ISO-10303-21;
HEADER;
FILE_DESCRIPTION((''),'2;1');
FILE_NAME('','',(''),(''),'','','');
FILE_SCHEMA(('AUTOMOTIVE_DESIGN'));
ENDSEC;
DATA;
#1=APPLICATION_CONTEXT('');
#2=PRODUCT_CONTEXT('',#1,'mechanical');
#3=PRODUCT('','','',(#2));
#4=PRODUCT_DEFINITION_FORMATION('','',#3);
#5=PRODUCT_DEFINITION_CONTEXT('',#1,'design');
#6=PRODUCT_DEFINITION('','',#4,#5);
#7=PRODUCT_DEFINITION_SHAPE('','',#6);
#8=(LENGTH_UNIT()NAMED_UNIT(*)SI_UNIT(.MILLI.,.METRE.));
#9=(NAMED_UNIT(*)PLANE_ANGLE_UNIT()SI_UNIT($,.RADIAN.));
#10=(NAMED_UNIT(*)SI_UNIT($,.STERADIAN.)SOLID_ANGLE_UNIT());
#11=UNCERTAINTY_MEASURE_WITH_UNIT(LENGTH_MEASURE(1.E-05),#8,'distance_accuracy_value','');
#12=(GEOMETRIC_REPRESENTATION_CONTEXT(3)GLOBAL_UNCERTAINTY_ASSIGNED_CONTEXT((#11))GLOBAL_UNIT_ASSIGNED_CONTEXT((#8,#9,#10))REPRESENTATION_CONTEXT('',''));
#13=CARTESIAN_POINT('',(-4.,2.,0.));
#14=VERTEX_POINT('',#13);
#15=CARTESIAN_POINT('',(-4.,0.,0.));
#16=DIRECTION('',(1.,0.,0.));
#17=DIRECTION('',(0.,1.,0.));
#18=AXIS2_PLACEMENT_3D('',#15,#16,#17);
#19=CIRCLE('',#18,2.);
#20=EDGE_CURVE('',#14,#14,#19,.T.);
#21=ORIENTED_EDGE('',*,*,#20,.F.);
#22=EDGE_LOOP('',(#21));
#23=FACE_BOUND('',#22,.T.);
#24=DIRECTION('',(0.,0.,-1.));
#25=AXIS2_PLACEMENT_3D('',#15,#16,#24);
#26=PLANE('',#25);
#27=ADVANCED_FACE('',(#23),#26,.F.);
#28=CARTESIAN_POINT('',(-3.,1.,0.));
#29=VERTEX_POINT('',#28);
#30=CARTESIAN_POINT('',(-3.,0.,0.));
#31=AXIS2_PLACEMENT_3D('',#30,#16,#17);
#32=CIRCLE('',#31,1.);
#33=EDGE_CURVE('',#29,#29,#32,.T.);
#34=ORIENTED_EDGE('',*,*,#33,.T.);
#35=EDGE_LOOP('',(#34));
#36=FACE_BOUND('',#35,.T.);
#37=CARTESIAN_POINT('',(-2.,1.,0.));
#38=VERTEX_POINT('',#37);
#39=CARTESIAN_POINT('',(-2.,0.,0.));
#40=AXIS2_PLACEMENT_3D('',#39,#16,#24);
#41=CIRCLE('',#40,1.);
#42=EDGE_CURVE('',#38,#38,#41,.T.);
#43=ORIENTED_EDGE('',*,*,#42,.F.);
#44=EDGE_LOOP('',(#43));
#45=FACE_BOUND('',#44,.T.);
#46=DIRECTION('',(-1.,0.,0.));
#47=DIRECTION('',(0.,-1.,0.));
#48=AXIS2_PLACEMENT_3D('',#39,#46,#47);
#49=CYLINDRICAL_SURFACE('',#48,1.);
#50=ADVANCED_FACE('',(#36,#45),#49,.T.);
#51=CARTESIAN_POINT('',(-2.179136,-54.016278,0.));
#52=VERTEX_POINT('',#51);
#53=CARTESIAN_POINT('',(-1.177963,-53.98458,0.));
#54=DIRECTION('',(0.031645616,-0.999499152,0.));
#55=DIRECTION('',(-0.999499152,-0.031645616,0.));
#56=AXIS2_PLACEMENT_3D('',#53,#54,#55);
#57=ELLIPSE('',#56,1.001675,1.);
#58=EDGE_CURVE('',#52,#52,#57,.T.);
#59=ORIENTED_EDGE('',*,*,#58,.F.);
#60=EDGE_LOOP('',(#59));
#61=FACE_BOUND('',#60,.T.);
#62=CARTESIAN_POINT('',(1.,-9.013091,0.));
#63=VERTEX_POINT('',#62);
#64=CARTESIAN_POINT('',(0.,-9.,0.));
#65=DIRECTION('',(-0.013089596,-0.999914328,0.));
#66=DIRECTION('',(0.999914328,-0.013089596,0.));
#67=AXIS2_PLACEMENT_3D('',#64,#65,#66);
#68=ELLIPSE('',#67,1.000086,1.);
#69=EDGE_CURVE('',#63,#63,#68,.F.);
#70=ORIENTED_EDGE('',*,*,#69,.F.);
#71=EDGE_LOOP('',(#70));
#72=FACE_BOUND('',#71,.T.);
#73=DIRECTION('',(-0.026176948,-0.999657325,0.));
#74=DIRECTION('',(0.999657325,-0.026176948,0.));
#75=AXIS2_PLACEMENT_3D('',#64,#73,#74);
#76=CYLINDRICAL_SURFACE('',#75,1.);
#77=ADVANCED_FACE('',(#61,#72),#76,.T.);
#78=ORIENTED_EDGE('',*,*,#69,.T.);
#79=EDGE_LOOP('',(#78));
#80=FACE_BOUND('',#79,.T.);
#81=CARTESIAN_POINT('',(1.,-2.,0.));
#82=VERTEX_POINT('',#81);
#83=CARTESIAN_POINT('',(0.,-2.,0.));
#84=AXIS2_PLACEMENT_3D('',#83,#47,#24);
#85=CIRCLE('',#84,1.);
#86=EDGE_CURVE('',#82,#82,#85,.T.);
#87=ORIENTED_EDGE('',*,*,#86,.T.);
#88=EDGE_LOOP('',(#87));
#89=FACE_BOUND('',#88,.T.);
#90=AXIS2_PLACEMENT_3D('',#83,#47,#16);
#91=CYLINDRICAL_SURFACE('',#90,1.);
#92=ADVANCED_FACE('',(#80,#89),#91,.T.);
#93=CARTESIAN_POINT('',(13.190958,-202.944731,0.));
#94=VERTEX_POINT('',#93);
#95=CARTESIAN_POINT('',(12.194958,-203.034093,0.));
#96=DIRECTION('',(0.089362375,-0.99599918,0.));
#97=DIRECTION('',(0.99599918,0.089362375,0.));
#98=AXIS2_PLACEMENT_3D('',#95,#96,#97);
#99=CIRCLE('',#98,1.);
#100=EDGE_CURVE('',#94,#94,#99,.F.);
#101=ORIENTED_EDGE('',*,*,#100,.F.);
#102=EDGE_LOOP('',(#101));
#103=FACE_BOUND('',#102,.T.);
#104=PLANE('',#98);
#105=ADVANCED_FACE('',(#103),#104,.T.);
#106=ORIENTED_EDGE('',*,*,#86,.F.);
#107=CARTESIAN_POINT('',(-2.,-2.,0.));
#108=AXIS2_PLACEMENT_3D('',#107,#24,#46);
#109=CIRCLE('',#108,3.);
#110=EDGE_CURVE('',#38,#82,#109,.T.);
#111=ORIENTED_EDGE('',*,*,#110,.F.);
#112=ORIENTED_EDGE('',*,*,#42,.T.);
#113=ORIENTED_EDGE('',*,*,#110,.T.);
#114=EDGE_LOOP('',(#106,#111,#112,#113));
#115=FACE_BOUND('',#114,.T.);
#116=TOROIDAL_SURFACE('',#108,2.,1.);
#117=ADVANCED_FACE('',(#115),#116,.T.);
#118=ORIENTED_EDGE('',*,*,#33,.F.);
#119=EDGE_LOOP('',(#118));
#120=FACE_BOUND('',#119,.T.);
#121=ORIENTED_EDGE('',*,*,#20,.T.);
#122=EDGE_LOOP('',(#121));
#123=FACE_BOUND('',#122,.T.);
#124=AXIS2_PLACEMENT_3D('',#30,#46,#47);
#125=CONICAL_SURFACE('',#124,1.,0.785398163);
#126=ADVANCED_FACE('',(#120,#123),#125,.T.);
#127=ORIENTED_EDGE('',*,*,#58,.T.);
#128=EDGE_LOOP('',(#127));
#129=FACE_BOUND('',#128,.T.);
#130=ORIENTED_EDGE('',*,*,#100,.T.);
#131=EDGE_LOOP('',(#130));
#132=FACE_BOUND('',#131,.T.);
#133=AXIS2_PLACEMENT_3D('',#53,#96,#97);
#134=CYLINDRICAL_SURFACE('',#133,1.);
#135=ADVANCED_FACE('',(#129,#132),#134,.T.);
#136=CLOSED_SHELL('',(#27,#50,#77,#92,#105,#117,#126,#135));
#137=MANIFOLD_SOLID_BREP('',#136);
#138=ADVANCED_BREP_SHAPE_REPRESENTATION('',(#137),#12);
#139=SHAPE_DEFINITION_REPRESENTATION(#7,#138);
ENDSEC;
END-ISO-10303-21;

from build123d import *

# Parameters (mm, degrees)
ESQUISSE2_R = 1


with BuildPart() as part:
    # Balayage1: sweep along a path in Esquisse1
    with BuildLine(Plane.XY) as balayage1_path:
        Line((12.194958481, -203.034093166), (-1.177962674, -53.984579624))
        Line((-1.177962674, -53.984579624), (0, -9))
        Line((0, -9), (0, -2))
        ThreePointArc((0, -2), (-0.585786438, -0.585786438), (-2, 0))
        Line((-2, 0), (-4, 0))
    # Esquisse2 → Balayage1 (sweep)
    with BuildSketch(Plane(origin=(-4, 0, 0), x_dir=(0, 0, -1), z_dir=(1, 0, 0))):
        Circle(ESQUISSE2_R)
    sweep(path=balayage1_path.line, transition=Transition.RIGHT)

    # Esquisse3 → Révolution1 (revolve)
    with BuildSketch(Plane.XY):
        Polygon((-4, 1), (-4, 2), (-3, 1), align=None)
    revolve(axis=Axis((0, 0, 0), (-1, 0, 0)))


solid = part.part
